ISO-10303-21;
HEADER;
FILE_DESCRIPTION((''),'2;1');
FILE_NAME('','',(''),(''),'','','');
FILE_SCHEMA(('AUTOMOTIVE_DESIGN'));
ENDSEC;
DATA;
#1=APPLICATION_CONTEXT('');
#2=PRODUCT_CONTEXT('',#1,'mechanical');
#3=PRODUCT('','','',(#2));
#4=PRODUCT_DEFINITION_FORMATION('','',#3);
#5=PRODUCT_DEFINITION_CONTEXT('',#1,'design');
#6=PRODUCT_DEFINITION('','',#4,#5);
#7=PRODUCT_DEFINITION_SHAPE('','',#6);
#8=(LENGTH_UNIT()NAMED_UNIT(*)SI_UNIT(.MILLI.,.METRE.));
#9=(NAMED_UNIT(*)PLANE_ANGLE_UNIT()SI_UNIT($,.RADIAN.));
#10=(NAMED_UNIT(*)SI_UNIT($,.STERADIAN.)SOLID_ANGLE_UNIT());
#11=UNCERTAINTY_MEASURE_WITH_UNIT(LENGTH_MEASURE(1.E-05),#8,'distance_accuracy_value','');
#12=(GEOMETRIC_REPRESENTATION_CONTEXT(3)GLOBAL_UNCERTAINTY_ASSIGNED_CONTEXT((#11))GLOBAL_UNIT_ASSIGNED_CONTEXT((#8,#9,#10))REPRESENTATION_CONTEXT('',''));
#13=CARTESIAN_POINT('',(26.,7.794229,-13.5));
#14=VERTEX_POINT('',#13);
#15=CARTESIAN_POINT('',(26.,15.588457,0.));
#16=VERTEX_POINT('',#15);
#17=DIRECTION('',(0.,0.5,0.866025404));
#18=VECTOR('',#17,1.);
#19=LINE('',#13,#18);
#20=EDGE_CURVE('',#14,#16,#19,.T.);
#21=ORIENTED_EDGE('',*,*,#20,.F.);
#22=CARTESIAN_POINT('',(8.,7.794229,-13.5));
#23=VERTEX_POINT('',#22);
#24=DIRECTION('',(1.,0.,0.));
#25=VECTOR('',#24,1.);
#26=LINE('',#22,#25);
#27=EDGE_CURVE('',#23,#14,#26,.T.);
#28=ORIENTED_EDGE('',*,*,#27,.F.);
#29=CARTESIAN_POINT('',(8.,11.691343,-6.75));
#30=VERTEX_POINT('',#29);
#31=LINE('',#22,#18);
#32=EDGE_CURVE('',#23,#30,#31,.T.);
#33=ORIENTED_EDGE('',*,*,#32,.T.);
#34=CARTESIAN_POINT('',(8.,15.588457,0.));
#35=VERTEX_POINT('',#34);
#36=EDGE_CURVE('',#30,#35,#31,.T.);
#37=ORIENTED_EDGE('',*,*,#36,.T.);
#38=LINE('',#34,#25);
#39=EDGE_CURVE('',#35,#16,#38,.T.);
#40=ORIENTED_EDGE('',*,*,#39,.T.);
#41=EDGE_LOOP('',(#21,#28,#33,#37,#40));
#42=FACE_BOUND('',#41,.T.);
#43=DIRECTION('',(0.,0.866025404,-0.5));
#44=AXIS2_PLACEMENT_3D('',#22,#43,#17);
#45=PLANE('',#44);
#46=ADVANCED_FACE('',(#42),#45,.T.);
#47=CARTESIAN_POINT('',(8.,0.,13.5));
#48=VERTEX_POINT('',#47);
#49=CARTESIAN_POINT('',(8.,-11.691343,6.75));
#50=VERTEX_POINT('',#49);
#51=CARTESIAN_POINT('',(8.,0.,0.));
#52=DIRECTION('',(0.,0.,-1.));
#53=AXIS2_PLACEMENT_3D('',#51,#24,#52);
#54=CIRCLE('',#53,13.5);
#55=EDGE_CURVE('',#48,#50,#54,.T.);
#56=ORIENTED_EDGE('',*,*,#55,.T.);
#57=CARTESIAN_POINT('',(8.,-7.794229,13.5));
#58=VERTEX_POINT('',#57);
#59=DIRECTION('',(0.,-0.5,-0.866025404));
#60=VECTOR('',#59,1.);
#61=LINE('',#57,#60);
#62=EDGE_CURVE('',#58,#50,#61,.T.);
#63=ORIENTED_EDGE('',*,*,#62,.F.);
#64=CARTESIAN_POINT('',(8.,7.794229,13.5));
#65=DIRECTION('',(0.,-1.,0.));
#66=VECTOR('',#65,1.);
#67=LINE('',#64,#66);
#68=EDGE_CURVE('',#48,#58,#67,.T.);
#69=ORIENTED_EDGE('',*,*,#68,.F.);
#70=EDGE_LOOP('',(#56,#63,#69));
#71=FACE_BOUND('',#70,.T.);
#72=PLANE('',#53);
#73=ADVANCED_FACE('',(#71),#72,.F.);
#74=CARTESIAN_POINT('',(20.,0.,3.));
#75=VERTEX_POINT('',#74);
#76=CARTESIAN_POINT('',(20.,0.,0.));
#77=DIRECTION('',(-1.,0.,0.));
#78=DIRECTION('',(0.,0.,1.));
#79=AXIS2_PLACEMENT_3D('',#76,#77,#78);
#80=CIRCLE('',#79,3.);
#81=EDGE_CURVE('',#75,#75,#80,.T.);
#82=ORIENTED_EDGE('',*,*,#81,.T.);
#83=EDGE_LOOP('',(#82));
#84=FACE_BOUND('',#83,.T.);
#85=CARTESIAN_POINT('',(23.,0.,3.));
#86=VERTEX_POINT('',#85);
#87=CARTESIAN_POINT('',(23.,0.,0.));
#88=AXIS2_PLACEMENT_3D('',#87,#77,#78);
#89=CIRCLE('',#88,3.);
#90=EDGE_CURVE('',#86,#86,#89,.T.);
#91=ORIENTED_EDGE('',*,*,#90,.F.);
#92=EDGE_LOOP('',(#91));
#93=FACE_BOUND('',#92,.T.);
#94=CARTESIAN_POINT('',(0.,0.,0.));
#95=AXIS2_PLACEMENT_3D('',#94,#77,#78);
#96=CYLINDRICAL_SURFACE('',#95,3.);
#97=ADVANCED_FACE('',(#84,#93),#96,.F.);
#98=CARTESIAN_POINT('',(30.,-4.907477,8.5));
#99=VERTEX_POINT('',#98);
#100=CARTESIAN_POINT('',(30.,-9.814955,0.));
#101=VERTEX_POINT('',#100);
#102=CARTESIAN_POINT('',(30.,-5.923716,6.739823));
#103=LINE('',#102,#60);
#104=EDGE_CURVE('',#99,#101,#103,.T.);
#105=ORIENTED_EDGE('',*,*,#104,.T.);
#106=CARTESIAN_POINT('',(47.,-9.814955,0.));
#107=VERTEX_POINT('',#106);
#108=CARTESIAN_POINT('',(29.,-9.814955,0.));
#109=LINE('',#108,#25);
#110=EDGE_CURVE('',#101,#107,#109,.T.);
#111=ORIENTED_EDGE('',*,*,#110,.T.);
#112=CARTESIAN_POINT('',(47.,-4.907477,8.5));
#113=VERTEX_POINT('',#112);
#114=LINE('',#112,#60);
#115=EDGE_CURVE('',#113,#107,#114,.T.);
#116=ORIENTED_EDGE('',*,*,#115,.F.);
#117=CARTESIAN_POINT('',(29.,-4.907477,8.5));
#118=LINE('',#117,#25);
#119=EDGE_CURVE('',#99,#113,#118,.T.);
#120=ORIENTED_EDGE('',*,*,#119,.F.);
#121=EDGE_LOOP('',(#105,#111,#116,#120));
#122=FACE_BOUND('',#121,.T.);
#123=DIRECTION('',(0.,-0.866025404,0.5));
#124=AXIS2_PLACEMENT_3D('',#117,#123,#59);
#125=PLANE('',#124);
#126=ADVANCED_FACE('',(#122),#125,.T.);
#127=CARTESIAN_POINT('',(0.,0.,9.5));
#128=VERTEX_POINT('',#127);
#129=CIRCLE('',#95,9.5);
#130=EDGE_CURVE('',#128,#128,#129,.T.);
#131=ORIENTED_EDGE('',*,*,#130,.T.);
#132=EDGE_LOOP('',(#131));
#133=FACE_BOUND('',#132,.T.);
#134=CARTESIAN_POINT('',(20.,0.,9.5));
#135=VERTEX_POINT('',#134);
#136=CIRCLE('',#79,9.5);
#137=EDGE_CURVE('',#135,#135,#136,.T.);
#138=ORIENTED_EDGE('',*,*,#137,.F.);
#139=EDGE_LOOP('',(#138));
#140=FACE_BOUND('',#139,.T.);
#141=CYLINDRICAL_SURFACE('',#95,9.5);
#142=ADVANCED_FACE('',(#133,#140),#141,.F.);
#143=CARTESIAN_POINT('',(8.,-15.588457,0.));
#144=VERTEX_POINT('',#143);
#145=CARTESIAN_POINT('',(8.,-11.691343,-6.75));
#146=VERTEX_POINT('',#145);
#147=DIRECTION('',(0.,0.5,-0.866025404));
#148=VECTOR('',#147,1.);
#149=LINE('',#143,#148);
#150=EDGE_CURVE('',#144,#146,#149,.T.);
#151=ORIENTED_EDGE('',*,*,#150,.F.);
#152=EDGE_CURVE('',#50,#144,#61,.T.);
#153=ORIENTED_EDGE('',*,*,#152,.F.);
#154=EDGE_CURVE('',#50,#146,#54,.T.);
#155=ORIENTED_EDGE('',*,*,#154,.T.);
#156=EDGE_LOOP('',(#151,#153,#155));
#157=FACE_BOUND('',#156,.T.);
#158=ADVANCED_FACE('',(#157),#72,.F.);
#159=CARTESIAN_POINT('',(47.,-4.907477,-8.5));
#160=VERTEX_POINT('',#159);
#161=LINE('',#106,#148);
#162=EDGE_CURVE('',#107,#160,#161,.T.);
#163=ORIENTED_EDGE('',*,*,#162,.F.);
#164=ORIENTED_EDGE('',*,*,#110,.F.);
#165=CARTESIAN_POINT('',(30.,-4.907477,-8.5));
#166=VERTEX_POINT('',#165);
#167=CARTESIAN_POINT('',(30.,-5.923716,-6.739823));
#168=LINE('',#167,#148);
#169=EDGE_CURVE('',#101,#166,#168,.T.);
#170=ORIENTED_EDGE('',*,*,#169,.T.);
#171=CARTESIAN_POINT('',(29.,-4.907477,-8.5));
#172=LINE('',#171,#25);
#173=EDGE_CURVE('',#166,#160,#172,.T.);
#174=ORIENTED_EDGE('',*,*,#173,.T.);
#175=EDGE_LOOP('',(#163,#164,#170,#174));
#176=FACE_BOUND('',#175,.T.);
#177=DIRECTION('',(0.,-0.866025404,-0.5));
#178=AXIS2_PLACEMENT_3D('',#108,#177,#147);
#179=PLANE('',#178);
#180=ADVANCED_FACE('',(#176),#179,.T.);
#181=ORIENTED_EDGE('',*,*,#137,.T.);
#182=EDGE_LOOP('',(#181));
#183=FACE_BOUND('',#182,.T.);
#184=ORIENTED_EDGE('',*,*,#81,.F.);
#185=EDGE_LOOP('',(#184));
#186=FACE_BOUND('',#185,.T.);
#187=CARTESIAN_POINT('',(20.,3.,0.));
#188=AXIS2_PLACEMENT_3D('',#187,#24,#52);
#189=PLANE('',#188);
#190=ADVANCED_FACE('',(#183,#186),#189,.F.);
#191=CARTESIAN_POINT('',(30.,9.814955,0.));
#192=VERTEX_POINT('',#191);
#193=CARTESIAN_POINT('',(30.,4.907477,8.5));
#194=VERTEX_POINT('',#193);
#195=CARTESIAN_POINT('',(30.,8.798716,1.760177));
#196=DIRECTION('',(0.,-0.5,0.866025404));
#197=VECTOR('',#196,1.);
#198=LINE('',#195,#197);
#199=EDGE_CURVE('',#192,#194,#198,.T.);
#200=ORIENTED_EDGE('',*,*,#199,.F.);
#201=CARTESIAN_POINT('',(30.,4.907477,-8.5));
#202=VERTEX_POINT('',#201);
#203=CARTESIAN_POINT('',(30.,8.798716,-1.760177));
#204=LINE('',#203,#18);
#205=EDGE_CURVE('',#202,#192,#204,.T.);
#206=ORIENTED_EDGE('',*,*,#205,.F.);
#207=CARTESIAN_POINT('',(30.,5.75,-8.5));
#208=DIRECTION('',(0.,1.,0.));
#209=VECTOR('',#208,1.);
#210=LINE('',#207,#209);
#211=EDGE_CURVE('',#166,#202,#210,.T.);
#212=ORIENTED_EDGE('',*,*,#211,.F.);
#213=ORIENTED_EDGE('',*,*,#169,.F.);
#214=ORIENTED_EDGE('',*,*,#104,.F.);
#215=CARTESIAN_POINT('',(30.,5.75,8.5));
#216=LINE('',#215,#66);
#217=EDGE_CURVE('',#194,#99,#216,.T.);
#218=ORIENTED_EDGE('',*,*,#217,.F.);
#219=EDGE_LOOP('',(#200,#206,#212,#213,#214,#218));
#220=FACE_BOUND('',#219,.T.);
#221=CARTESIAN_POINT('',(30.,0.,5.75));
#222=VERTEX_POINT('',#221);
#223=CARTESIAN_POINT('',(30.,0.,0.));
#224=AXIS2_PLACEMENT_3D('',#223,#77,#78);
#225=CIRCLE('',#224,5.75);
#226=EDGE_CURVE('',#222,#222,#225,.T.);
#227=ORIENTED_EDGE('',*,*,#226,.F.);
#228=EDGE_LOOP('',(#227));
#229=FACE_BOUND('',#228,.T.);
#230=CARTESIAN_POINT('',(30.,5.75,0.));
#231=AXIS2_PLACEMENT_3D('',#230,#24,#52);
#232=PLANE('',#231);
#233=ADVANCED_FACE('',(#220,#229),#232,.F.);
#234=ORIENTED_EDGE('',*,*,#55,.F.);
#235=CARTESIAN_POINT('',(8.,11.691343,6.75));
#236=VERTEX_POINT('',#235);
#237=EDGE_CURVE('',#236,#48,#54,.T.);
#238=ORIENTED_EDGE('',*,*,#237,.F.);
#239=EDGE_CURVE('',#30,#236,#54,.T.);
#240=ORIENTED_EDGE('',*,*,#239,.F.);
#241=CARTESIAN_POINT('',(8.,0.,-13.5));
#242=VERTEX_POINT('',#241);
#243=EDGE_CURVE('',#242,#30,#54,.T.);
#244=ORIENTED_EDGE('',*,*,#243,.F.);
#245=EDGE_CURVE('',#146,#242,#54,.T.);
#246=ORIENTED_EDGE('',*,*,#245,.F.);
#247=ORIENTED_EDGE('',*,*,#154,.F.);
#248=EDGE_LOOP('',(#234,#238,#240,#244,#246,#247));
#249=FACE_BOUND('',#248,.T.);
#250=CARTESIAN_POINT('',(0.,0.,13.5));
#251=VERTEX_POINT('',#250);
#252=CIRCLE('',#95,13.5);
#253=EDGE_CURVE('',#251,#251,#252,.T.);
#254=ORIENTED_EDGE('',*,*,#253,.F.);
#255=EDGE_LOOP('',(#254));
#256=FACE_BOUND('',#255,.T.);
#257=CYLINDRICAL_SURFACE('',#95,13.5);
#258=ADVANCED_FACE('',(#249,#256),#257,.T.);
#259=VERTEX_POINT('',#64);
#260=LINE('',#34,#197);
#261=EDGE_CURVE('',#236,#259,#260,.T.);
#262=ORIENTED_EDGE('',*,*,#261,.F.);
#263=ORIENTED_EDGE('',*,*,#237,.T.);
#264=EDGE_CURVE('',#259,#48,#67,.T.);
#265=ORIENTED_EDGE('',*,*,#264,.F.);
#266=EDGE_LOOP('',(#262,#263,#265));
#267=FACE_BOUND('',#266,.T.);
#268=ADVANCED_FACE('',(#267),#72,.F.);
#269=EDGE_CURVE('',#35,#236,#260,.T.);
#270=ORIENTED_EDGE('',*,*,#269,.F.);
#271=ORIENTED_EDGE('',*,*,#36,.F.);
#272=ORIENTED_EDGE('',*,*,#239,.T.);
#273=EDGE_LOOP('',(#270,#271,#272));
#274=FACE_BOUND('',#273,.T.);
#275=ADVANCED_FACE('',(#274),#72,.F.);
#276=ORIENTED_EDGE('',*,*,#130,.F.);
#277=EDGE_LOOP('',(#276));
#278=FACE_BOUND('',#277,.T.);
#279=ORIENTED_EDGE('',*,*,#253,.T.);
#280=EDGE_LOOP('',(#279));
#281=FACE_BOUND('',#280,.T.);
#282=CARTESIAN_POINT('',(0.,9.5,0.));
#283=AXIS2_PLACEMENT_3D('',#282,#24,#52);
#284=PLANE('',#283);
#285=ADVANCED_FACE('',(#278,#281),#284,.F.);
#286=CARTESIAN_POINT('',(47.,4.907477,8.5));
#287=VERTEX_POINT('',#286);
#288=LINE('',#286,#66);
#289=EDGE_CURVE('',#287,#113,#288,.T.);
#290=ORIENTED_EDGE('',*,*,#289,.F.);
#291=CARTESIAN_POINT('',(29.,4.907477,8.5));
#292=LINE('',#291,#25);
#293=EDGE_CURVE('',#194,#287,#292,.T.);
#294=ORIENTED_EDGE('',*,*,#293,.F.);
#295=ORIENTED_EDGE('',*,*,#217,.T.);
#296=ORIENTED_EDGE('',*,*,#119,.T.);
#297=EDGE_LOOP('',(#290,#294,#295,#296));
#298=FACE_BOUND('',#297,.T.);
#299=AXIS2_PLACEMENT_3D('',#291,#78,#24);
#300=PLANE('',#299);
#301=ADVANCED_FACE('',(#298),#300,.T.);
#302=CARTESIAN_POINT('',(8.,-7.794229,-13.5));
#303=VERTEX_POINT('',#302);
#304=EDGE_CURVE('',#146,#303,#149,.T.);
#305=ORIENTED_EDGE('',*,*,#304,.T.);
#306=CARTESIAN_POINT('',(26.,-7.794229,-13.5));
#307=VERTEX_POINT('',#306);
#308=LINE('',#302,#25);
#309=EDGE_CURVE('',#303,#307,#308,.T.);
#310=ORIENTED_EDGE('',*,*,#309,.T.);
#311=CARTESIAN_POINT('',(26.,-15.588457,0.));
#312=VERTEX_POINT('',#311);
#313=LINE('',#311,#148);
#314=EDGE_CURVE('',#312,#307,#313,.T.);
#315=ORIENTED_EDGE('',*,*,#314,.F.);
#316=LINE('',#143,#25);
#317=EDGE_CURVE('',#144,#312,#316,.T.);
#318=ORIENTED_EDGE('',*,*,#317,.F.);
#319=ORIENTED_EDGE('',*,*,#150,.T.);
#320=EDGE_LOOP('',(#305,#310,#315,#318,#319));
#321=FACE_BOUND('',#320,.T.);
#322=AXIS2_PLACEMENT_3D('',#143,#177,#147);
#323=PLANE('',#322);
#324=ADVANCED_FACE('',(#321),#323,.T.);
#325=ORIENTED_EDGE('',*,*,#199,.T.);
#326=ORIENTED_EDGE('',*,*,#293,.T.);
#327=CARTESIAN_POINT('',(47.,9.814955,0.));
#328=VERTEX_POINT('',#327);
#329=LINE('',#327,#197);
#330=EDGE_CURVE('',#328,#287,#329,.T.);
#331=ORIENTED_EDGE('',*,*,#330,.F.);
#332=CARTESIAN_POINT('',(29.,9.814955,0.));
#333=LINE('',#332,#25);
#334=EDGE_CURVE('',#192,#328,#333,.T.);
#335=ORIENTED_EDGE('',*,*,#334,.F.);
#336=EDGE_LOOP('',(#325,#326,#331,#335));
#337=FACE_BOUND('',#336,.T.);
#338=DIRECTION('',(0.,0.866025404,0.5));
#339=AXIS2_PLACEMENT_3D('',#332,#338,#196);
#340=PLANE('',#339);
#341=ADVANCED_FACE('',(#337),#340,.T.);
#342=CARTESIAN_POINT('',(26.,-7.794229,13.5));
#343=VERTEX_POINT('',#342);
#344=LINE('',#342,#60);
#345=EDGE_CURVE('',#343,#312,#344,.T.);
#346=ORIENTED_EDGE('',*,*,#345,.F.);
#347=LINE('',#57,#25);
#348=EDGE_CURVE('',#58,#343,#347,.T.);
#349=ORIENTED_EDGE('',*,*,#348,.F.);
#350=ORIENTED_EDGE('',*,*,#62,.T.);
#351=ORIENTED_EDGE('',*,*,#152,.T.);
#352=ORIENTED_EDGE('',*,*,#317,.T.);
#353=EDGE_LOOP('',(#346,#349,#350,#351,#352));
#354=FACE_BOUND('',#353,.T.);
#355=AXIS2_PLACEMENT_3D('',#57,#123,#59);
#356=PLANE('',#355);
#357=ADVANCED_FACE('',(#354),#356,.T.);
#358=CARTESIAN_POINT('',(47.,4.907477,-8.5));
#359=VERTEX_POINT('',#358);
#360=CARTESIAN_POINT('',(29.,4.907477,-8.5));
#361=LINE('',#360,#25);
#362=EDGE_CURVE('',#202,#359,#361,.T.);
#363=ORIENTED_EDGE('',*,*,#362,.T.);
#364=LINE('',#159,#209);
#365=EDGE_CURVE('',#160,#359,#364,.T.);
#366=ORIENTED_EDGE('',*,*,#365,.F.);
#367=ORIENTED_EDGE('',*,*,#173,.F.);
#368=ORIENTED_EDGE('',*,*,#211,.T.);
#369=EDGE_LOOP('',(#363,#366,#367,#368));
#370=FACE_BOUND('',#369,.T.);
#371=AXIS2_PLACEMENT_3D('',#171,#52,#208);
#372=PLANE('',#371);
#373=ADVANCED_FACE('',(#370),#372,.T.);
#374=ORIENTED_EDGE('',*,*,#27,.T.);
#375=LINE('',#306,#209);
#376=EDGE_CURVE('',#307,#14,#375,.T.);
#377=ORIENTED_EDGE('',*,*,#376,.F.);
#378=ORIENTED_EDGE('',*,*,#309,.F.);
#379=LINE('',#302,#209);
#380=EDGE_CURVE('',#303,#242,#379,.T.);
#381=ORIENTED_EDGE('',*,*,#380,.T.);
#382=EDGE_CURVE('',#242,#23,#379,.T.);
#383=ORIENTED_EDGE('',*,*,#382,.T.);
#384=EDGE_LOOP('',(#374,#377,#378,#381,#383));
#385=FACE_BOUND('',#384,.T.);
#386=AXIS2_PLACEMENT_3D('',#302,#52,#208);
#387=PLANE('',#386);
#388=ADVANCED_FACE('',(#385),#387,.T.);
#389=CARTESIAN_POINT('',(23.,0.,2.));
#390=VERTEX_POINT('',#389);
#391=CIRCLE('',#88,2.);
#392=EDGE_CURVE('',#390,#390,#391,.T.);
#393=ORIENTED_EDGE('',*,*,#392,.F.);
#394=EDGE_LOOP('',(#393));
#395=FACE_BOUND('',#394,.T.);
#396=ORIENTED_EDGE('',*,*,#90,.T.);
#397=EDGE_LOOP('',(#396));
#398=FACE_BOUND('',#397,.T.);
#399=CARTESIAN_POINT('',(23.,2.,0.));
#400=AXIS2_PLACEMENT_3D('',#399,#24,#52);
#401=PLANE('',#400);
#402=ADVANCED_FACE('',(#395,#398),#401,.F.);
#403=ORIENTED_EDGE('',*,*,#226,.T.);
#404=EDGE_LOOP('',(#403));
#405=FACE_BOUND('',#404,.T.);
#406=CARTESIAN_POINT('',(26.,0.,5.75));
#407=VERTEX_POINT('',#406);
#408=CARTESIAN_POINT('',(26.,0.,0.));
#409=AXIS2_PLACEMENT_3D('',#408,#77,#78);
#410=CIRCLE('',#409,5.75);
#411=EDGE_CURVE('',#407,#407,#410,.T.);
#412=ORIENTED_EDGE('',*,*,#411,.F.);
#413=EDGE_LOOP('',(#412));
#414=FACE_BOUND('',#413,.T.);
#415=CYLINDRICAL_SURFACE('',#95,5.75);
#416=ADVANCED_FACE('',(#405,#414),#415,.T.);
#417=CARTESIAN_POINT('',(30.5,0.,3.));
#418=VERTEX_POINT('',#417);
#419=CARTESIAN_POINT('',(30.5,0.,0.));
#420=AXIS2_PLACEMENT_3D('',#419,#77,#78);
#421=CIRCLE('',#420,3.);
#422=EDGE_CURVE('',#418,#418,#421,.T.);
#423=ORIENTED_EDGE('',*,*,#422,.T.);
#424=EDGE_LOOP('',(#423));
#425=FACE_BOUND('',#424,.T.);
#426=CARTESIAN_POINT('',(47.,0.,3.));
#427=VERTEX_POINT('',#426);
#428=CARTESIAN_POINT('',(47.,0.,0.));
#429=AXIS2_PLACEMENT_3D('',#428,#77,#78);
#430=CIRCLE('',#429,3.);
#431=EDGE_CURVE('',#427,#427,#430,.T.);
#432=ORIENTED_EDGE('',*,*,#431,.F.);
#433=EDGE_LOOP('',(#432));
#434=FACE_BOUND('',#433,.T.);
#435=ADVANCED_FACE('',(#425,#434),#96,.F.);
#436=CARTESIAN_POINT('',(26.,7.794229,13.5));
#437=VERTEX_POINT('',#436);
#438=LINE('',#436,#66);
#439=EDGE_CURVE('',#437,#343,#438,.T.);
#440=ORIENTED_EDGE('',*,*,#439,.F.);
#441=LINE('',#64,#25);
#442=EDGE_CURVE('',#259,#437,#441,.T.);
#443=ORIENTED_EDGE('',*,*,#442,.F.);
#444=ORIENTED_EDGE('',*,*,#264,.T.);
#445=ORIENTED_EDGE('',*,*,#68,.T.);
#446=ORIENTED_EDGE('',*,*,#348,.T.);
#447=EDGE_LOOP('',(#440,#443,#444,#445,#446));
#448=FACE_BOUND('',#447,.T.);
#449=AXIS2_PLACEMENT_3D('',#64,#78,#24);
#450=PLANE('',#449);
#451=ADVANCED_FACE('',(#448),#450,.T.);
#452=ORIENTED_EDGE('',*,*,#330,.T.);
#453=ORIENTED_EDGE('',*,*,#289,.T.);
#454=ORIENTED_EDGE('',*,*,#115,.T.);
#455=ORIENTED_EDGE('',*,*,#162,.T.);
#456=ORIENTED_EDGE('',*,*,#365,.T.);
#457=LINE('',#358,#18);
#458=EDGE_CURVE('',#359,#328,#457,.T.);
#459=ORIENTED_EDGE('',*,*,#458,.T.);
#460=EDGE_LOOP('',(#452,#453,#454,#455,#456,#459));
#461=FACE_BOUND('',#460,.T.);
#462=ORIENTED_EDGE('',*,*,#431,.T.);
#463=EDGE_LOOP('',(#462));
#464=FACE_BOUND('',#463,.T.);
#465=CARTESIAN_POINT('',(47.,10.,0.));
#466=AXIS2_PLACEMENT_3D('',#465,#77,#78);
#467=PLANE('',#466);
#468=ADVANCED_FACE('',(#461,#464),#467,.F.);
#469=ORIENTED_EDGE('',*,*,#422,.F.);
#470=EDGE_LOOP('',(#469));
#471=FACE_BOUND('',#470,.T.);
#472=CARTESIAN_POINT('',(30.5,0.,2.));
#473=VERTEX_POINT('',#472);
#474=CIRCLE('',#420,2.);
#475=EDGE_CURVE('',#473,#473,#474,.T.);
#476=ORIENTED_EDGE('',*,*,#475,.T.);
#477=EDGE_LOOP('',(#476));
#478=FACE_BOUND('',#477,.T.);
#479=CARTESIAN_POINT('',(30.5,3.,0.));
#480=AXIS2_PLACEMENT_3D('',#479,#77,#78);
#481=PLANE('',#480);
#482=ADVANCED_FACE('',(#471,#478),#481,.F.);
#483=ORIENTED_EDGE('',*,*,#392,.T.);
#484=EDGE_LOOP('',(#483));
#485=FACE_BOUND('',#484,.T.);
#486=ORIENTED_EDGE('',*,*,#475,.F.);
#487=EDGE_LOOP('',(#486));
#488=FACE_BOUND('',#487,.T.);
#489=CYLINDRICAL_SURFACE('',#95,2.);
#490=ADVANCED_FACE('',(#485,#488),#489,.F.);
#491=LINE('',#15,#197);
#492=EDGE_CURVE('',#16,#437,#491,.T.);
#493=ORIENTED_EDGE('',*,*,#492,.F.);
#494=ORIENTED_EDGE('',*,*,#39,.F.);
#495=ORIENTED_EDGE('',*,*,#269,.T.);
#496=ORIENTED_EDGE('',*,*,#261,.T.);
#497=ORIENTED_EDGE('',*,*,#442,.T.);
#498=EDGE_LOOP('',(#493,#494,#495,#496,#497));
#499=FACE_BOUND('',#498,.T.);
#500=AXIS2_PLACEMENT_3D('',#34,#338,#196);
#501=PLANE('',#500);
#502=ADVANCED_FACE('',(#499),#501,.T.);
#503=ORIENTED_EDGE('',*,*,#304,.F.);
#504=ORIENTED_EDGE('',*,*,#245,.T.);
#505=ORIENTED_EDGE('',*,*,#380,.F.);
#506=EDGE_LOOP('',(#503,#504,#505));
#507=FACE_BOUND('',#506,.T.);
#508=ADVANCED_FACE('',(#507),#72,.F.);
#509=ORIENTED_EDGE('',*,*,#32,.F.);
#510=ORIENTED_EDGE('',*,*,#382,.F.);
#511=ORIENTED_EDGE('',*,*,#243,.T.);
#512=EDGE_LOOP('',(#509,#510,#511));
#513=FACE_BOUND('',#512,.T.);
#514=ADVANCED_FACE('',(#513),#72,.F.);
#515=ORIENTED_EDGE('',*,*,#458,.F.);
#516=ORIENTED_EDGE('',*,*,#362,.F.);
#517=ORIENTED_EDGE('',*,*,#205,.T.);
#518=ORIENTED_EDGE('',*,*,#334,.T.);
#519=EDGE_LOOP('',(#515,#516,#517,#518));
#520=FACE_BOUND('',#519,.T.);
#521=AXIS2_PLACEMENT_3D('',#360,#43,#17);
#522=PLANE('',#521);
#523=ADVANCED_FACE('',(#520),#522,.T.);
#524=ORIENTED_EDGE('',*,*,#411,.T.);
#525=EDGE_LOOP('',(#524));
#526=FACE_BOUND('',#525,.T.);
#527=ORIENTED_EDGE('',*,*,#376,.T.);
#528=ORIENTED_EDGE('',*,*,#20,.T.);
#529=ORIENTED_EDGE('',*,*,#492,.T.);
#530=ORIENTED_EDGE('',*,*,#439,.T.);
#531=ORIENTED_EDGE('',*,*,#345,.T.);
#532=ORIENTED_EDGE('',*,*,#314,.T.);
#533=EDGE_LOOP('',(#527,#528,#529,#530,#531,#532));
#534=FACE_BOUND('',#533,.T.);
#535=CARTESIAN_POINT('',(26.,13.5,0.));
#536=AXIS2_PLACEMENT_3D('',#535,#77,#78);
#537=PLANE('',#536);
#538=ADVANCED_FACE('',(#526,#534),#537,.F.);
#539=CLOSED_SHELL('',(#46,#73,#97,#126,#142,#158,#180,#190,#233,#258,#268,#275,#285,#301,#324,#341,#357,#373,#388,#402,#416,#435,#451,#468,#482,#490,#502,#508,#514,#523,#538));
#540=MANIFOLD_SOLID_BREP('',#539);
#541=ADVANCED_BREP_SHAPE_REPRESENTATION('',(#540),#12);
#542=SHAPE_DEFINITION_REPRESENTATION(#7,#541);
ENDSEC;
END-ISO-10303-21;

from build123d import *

# Parameters (mm, degrees)
SKICA2_R                 = 11.379305307
ODEBRAT_VYSUNUT_M1_DEPTH = 18
SKICA3_R                 = 12.741299312
P_IDAT_VYSUNUT_M1_DEPTH  = 18


with BuildPart() as part:
    # Skica1 → Rotovat1 (revolve)
    with BuildSketch(Plane.XY, mode=Mode.PRIVATE) as rotovat1_sk:
        Polygon((0, 9.5), (0, 13.5), (26, 13.5), (26, 5.75), (30, 5.75), (30, 10), (47, 10), (47, 3), (30.5, 3), (30.5, 2), (23, 2), (23, 3), (20, 3), (20, 9.5), align=None)
    revolve(rotovat1_sk.sketch.rotate(Axis((0, 0, 0), (1, 0, 0)), 90), axis=Axis((0, 0, 0), (1, 0, 0)))

    # Skica2 → Odebrat vysunutím1 (cut)
    with BuildSketch(Plane(origin=(47, 0, 0), x_dir=(0, 0, -1), z_dir=(1, 0, 0))):
        Circle(SKICA2_R)
        Polygon((0, 9.814954576), (-8.5, 4.907477288), (-8.5, -4.907477288), (0, -9.814954576), (8.5, -4.907477288), (8.5, 4.907477288), align=None, mode=Mode.SUBTRACT)
    extrude(amount=-ODEBRAT_VYSUNUT_M1_DEPTH, mode=Mode.SUBTRACT)

    # Skica3 → Přidat vysunutím1 (add)
    with BuildSketch(Plane(origin=(26, 0, 0), x_dir=(0, 0, -1), z_dir=(1, 0, 0))):
        Polygon((0, 15.588457268), (-13.5, 7.794228634), (-13.5, -7.794228634), (0, -15.588457268), (13.5, -7.794228634), (13.5, 7.794228634), align=None)
        Circle(SKICA3_R, mode=Mode.SUBTRACT)
    extrude(amount=-P_IDAT_VYSUNUT_M1_DEPTH)


solid = part.part
